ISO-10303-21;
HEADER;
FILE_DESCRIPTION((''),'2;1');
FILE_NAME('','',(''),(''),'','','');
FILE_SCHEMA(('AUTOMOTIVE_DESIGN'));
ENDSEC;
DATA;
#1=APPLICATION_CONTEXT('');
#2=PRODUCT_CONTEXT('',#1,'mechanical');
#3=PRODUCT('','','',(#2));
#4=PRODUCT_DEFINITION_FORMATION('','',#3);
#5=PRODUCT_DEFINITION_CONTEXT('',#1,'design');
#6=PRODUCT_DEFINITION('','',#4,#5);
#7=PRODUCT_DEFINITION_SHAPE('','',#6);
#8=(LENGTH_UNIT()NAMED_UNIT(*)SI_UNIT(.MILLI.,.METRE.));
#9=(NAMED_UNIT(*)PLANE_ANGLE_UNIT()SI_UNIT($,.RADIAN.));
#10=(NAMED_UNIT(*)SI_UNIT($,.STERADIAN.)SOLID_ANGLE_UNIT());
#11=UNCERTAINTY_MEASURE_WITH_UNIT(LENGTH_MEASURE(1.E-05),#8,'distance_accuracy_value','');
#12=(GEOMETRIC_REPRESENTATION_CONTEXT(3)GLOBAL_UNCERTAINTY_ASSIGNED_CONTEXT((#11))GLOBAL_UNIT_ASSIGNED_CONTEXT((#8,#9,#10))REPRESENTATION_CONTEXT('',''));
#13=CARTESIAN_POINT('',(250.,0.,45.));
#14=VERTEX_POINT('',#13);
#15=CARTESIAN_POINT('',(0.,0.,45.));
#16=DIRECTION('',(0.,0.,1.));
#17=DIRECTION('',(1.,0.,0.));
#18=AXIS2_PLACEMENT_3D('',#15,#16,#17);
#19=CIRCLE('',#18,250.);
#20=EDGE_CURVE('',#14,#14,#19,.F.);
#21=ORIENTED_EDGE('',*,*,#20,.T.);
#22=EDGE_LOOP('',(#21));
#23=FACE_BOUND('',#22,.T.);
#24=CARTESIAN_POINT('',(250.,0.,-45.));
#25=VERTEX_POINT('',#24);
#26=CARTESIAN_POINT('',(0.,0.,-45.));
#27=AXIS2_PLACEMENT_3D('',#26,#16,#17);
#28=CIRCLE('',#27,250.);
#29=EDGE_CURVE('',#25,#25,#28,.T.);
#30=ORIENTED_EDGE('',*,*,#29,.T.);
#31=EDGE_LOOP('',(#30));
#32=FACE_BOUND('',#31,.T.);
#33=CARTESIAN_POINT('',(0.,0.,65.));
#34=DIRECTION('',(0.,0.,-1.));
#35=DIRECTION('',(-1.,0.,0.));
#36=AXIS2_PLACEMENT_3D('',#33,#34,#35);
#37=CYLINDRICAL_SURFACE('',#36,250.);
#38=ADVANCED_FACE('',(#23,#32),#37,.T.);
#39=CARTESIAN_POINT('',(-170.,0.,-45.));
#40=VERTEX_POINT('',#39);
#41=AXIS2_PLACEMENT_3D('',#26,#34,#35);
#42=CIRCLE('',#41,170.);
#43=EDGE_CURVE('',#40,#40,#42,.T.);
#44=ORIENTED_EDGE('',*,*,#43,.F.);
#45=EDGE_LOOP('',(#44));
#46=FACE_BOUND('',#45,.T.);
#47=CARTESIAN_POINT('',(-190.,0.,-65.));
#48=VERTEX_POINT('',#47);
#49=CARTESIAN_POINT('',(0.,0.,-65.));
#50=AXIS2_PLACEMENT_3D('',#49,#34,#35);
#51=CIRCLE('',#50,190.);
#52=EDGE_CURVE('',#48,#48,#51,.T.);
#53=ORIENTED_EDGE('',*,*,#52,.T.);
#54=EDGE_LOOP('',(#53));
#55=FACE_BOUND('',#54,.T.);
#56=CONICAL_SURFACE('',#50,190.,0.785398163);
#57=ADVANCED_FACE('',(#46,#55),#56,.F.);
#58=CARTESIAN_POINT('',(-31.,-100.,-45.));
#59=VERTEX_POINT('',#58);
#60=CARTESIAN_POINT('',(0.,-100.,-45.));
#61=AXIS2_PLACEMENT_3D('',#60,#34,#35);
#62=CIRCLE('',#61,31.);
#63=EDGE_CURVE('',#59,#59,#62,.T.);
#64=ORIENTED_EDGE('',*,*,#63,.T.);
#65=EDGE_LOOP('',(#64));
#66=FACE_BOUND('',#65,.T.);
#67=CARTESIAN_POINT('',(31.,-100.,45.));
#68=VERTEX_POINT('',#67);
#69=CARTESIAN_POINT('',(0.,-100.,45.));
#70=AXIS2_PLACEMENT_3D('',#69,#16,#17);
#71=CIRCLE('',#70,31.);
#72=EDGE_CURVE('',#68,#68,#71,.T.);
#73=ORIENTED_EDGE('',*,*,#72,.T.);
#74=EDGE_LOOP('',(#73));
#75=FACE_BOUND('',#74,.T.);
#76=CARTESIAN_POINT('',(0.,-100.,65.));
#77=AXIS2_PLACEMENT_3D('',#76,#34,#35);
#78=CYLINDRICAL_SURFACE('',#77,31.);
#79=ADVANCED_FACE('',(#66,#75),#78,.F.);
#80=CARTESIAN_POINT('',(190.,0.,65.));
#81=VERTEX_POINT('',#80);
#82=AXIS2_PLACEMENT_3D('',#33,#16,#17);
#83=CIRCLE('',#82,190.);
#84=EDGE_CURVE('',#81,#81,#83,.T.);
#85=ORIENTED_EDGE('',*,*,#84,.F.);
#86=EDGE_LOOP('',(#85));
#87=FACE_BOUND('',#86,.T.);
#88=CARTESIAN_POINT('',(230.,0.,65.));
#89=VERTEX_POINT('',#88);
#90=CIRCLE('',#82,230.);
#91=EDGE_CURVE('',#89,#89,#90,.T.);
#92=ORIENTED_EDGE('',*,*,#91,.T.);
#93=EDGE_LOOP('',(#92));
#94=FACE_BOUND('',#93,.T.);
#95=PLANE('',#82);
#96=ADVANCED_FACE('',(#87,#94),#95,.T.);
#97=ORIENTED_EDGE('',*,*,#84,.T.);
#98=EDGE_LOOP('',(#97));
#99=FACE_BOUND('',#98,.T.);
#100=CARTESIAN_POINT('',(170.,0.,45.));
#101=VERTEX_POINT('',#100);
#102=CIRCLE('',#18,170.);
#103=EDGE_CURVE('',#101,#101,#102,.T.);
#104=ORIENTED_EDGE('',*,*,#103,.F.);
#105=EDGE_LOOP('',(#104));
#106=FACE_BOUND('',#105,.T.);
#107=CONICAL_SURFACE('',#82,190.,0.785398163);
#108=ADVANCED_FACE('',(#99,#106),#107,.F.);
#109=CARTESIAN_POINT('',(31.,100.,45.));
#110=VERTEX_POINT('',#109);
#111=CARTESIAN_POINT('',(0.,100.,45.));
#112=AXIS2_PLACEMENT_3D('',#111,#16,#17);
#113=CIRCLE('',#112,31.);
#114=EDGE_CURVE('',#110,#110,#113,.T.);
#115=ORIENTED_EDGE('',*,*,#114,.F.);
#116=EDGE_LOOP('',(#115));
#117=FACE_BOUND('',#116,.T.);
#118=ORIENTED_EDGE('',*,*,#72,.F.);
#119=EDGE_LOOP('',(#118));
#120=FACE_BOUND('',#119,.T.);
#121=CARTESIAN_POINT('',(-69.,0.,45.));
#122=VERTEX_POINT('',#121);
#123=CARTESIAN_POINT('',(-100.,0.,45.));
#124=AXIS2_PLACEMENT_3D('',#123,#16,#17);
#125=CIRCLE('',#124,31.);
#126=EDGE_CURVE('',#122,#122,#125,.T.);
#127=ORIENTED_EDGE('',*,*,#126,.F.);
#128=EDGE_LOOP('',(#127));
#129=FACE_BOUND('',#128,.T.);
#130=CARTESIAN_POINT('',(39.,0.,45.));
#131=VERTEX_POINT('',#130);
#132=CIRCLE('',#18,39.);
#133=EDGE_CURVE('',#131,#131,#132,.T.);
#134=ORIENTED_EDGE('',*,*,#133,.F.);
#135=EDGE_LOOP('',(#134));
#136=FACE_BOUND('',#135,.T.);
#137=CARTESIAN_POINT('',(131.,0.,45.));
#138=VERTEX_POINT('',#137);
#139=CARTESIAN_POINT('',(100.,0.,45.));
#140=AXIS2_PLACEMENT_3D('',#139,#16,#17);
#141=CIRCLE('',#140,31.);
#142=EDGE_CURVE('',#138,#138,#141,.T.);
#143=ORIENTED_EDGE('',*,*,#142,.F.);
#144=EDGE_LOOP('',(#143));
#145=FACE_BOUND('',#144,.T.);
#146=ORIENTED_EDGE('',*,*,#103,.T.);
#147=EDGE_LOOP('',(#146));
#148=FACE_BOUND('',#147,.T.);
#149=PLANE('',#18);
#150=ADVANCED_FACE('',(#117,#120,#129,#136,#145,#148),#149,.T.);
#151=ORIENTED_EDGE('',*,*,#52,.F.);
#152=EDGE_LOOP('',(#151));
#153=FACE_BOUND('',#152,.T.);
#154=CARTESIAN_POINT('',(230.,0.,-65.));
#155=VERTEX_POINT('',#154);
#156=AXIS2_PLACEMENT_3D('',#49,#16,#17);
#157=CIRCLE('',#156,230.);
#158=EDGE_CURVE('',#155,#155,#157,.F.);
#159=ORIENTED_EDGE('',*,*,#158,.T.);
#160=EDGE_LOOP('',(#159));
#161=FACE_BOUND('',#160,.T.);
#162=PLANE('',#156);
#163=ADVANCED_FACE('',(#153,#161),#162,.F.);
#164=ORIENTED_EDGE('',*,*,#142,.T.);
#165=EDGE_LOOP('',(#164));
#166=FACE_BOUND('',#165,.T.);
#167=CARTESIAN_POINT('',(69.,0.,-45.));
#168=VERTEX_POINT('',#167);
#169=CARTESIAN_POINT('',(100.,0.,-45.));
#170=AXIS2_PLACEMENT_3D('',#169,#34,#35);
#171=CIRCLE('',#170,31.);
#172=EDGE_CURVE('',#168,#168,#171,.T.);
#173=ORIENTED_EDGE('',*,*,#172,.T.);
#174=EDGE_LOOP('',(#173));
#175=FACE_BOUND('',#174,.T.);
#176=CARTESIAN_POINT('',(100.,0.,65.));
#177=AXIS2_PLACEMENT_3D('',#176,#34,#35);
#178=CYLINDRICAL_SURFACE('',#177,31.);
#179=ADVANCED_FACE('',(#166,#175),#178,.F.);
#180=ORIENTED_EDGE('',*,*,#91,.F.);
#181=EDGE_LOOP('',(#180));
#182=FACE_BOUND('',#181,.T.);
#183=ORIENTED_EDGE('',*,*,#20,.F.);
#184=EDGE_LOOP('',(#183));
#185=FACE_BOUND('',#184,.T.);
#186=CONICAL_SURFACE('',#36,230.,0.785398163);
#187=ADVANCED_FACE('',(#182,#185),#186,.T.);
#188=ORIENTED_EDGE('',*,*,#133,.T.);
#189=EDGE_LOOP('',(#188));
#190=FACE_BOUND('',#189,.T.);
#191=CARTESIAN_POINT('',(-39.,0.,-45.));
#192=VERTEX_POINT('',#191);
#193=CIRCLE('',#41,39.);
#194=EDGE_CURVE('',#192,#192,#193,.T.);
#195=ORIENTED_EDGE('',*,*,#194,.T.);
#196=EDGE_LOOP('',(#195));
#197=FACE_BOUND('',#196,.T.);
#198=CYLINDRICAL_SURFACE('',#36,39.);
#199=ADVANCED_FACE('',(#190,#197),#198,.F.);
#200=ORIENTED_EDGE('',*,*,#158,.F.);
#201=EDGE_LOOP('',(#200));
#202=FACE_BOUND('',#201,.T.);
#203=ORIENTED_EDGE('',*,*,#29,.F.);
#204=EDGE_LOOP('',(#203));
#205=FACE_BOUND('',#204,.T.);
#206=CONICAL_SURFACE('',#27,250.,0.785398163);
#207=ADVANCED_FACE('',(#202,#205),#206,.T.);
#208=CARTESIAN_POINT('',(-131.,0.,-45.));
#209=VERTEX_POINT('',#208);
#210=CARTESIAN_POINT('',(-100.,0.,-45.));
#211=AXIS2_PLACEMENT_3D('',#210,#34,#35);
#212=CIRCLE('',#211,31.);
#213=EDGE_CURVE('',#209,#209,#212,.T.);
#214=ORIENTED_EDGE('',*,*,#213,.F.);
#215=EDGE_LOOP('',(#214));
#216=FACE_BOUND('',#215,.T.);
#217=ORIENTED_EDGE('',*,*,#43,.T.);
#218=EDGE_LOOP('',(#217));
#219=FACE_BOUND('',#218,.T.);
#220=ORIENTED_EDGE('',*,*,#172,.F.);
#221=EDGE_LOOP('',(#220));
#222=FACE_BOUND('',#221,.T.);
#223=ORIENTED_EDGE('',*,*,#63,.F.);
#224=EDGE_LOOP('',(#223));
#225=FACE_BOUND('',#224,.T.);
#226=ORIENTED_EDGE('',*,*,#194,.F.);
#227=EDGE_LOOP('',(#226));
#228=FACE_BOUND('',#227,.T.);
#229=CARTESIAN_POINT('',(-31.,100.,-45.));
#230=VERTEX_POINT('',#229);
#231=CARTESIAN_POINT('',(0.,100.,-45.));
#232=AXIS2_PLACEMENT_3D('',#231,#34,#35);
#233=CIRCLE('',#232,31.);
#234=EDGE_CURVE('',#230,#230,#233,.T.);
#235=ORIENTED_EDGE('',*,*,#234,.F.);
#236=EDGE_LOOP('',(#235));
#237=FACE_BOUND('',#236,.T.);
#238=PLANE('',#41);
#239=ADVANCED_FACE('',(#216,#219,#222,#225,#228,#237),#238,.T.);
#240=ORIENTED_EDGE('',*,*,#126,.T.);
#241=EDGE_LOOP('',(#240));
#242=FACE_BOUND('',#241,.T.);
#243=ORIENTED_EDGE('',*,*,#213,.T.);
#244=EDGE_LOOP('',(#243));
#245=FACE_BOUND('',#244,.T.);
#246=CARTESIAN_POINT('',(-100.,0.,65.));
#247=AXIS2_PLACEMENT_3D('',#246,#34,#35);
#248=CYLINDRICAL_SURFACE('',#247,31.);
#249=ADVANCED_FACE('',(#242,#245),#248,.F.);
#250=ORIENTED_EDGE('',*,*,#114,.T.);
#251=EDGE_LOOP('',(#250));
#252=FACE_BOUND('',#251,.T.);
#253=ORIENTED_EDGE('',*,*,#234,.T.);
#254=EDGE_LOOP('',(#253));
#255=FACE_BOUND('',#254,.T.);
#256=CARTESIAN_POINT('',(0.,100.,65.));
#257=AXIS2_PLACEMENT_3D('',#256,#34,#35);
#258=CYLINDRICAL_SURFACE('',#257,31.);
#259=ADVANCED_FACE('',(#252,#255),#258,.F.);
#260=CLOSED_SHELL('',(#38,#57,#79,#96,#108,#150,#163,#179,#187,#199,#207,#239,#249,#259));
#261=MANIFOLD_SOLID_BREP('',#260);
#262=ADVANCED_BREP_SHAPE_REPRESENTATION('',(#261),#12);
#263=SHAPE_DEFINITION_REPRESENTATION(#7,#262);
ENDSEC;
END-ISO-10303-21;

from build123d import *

# Parameters (mm, degrees)
SKETCH1_R           = 250
BOSS_EXTRUDE1_DEPTH = 65
CHAMFER1_SIZE       = 20
SKETCH2_R           = 190
CUT_EXTRUDE1_DEPTH  = 20
CUT_EXTRUDE1_TAPER  = 45
SKETCH3_R           = 190
CUT_EXTRUDE2_DEPTH  = 20
CUT_EXTRUDE2_TAPER  = 45
SKETCH4_R           = 31
SKETCH4_R_2         = 39
CUT_EXTRUDE3_DEPTH  = 111.0000001


with BuildPart() as part:
    # Sketch1 → Boss-Extrude1 (new body, symmetric)
    with BuildSketch(Plane.XY):
        Circle(SKETCH1_R)
    extrude(amount=BOSS_EXTRUDE1_DEPTH, both=True)

    # Chamfer1
    chamfer1_edges = [part.edges().sort_by_distance(p)[0] for p in [
        (-250, 0, -65),
        (-250, 0, 65),
    ]]
    chamfer(chamfer1_edges, length=CHAMFER1_SIZE)

    # Sketch2 → Cut-Extrude1 (cut)
    with BuildSketch(Plane.XY.offset(65)):
        Circle(SKETCH2_R)
    extrude(amount=-CUT_EXTRUDE1_DEPTH, taper=CUT_EXTRUDE1_TAPER, mode=Mode.SUBTRACT)

    # Sketch3 → Cut-Extrude2 (cut)
    with BuildSketch(Plane(origin=(0, 0, -65), x_dir=(-1, 0, 0), z_dir=(0, 0, -1))):
        Circle(SKETCH3_R)
    extrude(amount=-CUT_EXTRUDE2_DEPTH, taper=CUT_EXTRUDE2_TAPER, mode=Mode.SUBTRACT)

    # Sketch4 → Cut-Extrude3 (cut, through all)
    with BuildSketch(Plane(origin=(0, 0, -45), x_dir=(-1, 0, 0), z_dir=(0, 0, -1))):
        with Locations((0, 100)):
            Circle(SKETCH4_R)
        with Locations((-100, 0)):
            Circle(SKETCH4_R)
        with Locations((0, -100)):
            Circle(SKETCH4_R)
        with Locations((100, 0)):
            Circle(SKETCH4_R)
        Circle(SKETCH4_R_2)
    extrude(amount=-CUT_EXTRUDE3_DEPTH, mode=Mode.SUBTRACT)


solid = part.part
